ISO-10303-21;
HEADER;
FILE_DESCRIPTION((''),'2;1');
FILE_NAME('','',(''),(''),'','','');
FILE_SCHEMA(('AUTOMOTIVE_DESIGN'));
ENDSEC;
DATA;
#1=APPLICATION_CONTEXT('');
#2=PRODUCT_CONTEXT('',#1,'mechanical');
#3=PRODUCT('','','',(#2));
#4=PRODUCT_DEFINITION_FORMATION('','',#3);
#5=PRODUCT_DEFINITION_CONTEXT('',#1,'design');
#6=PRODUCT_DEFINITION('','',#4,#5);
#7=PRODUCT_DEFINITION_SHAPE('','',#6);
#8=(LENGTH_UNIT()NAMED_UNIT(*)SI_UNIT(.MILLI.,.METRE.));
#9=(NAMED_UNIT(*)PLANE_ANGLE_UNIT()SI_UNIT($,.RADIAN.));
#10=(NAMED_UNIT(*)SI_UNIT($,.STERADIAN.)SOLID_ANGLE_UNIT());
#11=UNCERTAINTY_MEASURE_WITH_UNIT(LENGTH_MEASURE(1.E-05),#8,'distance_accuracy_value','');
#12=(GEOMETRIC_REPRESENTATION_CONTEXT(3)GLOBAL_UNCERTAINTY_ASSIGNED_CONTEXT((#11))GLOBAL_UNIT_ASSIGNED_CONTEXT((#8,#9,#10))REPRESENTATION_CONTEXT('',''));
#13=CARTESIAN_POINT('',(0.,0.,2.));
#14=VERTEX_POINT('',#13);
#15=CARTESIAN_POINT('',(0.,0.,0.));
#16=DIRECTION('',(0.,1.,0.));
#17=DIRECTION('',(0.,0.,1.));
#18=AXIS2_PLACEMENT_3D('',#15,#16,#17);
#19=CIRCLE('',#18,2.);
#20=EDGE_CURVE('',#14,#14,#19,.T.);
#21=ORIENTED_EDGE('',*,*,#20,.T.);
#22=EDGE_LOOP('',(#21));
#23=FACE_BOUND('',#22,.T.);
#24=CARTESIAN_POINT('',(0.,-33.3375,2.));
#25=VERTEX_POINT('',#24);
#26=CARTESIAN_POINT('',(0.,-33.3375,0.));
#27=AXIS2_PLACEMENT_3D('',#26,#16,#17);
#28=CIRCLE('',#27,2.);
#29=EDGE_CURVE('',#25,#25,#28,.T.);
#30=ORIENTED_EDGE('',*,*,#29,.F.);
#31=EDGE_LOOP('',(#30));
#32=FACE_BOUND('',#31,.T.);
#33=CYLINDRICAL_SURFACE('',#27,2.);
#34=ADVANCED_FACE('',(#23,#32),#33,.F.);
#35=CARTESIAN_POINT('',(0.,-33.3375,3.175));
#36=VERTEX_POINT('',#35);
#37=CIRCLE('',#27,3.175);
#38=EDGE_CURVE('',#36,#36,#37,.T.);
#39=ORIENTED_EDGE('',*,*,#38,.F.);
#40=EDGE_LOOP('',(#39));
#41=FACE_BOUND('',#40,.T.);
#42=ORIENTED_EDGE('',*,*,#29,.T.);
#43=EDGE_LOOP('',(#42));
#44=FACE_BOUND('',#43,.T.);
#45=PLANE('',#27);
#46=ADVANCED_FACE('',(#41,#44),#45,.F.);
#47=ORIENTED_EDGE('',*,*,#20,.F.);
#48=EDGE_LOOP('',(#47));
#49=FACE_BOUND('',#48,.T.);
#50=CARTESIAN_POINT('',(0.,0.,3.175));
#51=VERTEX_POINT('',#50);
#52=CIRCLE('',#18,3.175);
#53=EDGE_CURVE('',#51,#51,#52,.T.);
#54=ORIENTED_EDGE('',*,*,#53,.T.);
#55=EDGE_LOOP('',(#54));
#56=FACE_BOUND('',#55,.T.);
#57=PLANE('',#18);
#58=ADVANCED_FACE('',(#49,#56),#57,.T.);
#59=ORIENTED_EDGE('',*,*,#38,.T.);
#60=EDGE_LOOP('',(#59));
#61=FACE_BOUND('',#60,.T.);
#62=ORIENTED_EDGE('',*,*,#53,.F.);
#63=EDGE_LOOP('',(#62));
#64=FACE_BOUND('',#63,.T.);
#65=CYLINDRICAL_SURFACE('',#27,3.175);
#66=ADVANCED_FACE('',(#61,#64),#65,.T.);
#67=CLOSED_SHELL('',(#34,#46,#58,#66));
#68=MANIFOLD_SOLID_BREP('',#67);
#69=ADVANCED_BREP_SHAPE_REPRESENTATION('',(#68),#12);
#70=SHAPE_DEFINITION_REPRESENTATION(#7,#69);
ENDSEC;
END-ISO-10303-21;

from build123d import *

# Parameters (mm, degrees)
SKETCH1_R           = 3.175
SKETCH1_R_2         = 2
BOSS_EXTRUDE1_DEPTH = 33.3375


with BuildPart() as part:
    # Sketch1 → Boss-Extrude1 (new body)
    with BuildSketch(Plane(origin=(0, 0, 0), x_dir=(1, 0, 0), z_dir=(0, 1, 0))):
        with Locations(Location((0, 0, 0), (0, 0, 270))):
            Circle(SKETCH1_R)
        with Locations(Location((0, 0, 0), (0, 0, 270))):
            Circle(SKETCH1_R_2, mode=Mode.SUBTRACT)
    extrude(amount=-BOSS_EXTRUDE1_DEPTH)


solid = part.part
